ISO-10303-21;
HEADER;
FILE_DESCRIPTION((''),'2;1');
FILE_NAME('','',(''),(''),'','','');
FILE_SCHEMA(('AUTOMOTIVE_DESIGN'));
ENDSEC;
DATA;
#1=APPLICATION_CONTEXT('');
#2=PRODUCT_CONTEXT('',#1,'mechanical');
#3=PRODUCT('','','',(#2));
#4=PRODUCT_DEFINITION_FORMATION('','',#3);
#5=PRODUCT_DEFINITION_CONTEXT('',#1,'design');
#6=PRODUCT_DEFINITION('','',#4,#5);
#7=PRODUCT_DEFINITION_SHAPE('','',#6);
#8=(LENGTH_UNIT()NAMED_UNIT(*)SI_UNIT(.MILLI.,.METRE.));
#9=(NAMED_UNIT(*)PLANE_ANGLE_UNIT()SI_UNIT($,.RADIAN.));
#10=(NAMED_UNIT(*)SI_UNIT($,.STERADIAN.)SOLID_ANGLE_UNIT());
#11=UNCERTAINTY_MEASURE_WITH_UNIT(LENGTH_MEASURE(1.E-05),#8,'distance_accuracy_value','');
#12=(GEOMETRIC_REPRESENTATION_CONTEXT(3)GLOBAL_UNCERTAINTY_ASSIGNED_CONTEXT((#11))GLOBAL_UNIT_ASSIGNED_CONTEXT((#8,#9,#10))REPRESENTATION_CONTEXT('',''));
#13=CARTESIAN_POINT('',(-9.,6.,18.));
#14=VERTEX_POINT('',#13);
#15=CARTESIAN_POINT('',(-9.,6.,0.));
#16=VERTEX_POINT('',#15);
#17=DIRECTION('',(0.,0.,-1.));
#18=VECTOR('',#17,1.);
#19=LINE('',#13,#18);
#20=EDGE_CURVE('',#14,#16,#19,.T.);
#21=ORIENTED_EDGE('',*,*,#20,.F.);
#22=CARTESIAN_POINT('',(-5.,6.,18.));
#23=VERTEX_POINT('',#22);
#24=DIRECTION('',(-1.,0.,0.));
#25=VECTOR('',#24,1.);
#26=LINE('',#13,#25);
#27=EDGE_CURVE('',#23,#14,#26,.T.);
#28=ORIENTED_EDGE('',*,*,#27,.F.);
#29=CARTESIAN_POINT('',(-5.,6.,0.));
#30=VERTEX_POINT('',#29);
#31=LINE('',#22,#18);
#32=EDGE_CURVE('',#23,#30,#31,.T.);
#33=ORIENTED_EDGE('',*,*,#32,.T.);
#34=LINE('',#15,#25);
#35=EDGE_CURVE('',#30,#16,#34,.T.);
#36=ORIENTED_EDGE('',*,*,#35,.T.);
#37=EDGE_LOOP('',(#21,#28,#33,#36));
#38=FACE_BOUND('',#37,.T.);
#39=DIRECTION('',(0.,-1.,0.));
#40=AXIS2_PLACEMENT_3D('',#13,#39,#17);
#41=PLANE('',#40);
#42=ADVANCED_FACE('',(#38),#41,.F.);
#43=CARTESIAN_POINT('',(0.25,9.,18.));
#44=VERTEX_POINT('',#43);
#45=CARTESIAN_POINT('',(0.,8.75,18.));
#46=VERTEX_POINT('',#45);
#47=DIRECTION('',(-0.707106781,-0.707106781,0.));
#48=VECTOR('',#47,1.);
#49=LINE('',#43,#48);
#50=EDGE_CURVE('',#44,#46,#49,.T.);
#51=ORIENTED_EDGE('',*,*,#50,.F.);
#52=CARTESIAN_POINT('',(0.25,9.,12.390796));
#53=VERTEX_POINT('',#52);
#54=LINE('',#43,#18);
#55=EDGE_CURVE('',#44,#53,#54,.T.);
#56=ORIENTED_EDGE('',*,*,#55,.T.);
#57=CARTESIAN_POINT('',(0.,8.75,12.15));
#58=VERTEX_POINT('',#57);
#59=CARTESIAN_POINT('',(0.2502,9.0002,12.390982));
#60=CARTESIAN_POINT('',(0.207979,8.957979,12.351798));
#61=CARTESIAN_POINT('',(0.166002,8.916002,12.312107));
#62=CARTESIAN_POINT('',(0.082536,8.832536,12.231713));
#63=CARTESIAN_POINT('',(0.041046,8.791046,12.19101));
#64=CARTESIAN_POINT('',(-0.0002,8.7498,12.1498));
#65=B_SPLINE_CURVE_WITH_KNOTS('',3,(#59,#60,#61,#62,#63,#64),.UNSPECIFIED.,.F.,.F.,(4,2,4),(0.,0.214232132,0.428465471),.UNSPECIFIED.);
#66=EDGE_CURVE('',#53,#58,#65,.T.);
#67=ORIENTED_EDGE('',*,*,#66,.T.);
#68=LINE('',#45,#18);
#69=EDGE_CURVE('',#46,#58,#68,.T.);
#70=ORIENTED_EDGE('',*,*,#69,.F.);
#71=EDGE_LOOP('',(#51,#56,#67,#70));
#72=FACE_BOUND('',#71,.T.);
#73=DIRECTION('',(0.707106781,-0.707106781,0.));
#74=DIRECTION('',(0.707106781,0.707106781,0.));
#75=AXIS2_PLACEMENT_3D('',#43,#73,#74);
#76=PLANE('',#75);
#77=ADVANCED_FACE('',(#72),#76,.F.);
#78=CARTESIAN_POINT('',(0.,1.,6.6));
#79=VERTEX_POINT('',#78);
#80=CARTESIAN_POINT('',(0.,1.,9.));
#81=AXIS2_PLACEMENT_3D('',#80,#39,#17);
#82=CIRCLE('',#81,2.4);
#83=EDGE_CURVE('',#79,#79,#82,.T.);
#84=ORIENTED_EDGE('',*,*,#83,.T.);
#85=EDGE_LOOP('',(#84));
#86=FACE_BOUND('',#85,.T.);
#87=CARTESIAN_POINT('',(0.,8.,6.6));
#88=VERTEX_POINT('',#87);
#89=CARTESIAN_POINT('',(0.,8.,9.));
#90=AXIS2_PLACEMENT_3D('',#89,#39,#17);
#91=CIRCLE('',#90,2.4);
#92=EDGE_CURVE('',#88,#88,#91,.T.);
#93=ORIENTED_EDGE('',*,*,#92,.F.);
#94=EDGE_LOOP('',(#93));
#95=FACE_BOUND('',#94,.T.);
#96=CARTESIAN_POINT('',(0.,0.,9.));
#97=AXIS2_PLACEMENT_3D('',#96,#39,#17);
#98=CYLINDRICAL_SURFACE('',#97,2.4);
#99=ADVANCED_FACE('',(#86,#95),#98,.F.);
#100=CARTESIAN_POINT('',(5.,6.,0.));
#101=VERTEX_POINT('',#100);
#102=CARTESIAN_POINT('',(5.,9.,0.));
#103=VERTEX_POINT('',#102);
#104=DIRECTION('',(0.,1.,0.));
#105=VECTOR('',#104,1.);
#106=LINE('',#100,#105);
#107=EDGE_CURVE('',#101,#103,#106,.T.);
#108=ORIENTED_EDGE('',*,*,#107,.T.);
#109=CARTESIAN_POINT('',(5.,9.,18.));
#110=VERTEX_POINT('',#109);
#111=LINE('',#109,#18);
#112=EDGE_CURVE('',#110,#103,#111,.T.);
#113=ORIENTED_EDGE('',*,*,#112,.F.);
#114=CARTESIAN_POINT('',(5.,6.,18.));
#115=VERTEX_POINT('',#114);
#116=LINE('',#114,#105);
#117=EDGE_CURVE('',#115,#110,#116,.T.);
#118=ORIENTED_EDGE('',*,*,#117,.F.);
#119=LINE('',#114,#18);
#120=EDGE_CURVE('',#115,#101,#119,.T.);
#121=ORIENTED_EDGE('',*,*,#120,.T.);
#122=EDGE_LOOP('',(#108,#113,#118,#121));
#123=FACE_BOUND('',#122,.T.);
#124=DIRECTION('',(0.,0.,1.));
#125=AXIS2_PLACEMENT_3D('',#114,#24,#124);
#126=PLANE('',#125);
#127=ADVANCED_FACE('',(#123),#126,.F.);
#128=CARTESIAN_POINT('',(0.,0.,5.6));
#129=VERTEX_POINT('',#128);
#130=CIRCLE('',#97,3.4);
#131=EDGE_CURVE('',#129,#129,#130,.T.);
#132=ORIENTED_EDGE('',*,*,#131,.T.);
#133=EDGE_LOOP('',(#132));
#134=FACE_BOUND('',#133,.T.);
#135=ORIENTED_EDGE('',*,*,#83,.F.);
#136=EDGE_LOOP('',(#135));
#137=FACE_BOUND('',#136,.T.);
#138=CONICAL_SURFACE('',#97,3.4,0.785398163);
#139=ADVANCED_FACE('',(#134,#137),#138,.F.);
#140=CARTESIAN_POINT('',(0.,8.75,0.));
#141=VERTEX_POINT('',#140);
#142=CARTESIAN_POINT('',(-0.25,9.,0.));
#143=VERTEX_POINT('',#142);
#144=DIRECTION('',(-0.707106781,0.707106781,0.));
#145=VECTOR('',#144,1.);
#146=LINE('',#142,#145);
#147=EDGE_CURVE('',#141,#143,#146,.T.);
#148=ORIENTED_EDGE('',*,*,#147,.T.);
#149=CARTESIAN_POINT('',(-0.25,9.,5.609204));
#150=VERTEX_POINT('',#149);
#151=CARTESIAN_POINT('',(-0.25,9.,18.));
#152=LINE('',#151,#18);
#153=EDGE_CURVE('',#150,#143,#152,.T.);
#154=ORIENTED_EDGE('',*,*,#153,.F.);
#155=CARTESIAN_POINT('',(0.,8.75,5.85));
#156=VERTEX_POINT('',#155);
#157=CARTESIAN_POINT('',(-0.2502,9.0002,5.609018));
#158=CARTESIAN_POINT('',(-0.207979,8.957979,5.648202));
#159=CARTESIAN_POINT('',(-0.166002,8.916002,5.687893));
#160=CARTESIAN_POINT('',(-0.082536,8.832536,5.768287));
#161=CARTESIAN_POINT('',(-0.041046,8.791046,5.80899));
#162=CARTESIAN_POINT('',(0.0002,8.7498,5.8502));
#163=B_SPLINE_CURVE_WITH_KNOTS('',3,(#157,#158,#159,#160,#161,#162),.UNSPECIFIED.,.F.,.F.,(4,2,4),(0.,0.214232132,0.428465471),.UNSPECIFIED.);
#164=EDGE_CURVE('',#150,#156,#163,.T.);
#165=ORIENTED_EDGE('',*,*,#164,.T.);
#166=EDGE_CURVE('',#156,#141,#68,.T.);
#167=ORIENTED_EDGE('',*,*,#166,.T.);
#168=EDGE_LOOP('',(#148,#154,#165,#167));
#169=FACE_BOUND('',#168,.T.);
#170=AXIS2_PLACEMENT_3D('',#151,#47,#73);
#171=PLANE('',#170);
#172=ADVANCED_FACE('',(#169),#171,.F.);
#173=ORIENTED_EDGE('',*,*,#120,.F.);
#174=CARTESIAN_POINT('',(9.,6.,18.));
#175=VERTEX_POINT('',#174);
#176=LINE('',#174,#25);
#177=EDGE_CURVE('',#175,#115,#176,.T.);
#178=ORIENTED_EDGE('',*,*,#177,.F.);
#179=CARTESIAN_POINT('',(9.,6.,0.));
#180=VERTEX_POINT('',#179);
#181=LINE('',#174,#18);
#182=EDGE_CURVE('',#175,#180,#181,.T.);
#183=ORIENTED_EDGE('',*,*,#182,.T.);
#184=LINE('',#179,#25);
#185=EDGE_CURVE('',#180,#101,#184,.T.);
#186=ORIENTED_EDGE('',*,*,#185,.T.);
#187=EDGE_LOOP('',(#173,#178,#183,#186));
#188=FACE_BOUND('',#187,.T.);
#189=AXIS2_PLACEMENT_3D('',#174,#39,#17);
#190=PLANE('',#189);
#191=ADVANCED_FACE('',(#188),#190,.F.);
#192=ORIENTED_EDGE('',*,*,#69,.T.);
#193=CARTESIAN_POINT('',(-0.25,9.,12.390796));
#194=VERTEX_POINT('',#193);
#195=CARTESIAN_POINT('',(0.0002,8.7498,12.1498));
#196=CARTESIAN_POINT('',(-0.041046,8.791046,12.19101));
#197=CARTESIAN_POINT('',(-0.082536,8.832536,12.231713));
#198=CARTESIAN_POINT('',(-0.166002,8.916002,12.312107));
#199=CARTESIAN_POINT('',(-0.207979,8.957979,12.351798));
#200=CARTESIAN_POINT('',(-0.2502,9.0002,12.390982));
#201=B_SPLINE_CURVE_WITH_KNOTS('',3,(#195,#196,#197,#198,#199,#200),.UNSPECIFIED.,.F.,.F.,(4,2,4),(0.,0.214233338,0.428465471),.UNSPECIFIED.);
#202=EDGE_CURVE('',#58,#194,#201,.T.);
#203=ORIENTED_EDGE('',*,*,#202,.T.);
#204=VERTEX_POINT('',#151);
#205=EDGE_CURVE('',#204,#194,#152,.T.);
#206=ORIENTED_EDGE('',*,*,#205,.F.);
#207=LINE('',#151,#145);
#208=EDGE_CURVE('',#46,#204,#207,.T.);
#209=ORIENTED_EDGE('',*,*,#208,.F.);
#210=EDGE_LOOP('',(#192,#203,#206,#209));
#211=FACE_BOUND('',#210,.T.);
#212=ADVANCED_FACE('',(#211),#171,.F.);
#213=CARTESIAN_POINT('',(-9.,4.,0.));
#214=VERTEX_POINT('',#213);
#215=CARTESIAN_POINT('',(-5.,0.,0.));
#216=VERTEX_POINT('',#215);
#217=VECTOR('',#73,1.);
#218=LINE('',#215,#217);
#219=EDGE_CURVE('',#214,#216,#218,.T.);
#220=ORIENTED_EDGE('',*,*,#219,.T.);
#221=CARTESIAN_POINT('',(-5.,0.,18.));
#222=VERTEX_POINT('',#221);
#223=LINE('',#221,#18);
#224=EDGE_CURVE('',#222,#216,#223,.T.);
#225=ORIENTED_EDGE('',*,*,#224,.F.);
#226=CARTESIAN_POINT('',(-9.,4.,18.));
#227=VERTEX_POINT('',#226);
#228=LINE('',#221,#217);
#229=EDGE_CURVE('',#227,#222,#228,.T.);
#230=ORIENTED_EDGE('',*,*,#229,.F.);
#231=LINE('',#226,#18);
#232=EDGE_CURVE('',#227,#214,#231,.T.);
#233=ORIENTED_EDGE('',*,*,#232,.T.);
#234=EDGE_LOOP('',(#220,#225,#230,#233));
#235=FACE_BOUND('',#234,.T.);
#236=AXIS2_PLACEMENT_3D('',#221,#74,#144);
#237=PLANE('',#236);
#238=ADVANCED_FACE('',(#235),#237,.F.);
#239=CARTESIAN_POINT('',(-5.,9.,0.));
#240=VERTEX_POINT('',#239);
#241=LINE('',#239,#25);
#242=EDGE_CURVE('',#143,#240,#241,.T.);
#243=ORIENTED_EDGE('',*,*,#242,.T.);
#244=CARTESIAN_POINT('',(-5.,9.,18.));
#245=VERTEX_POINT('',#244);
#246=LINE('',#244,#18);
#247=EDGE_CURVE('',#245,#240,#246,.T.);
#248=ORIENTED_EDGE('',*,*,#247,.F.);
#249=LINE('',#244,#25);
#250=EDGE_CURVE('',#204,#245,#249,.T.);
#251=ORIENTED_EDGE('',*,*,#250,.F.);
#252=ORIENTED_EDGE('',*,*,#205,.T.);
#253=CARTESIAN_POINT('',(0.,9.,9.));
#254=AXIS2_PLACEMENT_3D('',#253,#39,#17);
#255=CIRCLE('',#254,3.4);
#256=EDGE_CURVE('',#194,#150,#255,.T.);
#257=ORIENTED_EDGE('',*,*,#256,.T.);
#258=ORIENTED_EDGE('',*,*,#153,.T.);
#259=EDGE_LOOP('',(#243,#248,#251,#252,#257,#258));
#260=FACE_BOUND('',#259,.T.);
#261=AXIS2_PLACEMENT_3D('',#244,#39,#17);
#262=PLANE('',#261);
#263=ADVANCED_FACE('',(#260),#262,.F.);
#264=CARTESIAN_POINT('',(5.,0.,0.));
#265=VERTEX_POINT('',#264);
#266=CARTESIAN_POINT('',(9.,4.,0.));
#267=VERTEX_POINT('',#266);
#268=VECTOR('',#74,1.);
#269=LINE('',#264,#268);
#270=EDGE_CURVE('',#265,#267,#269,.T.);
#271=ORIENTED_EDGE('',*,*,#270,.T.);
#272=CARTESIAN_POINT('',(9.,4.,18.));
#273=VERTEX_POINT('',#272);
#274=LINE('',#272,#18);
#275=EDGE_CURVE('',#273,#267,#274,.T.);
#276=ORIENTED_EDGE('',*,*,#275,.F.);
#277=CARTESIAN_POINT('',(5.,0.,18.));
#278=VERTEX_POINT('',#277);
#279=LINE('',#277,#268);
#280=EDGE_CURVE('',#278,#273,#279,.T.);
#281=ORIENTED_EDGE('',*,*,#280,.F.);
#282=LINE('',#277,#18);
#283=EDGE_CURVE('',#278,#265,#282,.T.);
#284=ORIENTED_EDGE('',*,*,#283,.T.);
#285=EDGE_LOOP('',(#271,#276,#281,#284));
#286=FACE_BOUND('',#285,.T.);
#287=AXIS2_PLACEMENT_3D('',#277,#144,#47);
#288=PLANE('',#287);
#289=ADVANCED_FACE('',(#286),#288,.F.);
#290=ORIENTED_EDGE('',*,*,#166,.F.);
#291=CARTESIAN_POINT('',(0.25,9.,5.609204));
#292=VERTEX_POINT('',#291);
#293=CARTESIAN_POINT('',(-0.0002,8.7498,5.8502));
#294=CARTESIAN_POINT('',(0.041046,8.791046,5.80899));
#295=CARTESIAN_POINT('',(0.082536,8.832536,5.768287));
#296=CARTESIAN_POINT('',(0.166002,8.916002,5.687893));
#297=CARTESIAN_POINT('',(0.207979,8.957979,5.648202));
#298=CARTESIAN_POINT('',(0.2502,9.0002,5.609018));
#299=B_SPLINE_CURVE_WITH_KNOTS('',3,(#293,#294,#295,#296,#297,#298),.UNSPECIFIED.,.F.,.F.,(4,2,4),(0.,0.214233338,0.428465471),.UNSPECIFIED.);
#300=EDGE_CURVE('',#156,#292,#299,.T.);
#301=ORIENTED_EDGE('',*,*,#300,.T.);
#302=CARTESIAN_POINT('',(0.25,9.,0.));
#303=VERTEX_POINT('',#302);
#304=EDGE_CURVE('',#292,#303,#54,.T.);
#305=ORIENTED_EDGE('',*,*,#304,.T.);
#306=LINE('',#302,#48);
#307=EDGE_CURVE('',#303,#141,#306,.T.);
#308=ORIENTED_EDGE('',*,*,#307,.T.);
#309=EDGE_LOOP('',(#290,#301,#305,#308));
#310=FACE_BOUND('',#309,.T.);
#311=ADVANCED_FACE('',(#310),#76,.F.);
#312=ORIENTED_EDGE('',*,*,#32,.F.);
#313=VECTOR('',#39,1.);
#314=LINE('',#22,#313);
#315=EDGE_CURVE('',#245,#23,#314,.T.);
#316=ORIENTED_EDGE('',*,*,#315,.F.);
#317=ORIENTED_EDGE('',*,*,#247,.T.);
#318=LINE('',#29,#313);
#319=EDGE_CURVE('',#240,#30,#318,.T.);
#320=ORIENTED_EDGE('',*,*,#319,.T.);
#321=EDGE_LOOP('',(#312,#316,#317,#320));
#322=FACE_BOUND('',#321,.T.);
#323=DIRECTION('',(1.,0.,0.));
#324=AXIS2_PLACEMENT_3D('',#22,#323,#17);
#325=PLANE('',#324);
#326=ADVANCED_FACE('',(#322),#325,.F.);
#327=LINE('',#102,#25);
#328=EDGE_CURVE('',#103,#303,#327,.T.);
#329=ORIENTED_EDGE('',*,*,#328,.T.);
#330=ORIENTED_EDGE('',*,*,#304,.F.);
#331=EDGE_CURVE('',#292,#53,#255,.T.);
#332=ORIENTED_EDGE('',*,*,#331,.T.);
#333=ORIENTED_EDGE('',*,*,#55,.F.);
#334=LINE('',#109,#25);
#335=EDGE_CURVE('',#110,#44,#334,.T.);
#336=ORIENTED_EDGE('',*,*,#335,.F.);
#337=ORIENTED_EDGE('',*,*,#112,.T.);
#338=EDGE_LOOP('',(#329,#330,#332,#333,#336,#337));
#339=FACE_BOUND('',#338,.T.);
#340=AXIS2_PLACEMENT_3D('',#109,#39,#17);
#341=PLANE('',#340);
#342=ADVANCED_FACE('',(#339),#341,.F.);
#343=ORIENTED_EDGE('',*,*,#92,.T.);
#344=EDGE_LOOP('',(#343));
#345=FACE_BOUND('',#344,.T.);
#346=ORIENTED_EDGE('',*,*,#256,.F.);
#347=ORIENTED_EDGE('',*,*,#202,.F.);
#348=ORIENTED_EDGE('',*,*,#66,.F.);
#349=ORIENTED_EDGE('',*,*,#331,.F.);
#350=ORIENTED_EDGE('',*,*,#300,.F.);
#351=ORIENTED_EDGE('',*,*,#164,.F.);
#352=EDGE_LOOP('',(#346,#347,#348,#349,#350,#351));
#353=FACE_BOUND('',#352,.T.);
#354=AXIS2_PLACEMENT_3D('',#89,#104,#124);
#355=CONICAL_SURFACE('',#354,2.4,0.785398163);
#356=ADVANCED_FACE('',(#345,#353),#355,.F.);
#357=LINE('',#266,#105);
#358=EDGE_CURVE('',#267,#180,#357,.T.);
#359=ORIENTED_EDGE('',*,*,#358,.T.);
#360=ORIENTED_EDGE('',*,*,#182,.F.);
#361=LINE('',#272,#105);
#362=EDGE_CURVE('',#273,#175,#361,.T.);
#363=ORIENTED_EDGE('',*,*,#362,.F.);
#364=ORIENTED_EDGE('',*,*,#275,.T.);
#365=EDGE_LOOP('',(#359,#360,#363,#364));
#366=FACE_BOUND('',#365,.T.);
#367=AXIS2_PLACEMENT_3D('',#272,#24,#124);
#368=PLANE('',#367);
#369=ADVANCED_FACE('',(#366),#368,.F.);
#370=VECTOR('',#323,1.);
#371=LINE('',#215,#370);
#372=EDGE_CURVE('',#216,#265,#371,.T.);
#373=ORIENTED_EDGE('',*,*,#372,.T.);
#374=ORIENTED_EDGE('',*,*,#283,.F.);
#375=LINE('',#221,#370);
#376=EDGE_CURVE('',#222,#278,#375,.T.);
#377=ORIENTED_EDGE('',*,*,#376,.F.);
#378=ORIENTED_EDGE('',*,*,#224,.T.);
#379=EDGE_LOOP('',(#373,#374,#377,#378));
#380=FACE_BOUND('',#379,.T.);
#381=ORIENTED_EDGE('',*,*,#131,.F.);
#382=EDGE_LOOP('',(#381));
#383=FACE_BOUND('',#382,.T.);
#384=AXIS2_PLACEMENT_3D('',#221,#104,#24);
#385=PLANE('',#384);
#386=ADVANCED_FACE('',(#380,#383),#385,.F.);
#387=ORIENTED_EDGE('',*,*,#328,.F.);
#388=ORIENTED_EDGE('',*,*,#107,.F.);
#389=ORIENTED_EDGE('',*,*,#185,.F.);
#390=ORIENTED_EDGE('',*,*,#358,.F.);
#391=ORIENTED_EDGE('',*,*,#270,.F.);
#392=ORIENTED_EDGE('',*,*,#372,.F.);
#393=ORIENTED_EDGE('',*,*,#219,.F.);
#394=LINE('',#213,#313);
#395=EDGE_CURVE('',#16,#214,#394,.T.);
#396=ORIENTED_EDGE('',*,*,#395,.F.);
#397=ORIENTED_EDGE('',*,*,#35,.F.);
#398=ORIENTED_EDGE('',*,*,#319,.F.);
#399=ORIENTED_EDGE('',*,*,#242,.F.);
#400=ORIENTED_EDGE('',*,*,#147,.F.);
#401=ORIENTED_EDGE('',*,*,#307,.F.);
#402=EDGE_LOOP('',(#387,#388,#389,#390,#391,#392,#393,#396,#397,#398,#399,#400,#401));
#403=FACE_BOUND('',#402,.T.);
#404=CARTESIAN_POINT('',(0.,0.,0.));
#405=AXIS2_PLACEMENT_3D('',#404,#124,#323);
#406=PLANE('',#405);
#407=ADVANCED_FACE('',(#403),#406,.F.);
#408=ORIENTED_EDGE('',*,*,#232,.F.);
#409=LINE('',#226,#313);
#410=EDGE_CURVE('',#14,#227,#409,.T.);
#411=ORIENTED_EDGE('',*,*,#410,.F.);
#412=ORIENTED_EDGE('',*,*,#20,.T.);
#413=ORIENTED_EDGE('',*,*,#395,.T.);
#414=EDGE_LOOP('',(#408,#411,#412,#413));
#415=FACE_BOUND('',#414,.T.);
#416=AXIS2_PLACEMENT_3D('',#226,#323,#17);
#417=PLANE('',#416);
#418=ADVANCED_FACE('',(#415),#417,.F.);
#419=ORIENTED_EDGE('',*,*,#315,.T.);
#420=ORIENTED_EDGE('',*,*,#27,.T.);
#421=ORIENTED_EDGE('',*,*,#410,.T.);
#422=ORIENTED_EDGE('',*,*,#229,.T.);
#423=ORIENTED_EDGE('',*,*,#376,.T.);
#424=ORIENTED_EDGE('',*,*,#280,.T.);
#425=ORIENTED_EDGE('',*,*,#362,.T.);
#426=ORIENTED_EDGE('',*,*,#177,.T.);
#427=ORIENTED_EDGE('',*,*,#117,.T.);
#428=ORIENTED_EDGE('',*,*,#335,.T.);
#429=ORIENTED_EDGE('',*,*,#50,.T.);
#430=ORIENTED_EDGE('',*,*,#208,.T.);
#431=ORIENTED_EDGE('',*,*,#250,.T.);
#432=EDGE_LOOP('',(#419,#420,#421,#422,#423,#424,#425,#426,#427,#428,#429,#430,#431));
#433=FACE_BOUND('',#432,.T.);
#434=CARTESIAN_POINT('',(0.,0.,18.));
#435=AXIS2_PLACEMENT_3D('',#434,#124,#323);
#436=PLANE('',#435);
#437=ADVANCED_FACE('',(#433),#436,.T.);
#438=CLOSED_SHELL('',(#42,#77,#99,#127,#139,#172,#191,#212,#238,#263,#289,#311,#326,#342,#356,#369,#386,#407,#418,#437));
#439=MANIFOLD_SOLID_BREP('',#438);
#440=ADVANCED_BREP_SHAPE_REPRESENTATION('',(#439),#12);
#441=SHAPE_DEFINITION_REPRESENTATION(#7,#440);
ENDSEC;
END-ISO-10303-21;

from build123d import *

# Parameters (mm, degrees)
EXTRUDED_1_DEPTH = 18


with BuildPart() as part:
    # Эскиз1 → Extruded 1 (new body)
    with BuildSketch(Plane.XY):
        Polygon((-5, 0), (-9, 4), (-9, 6), (-5, 6), (-5, 9), (-0.25, 9), (0, 8.75), (0.25, 9), (5, 9), (5, 6), (9, 6), (9, 4), (5, 0), align=None)
    extrude(amount=EXTRUDED_1_DEPTH)

    # Эскиз2 → Revolved Cut 1 (revolve, cut)
    with BuildSketch(Plane(origin=(0, 0, 0), x_dir=(0, 0, -1), z_dir=(1, 0, 0))):
        Polygon((-9, 0), (-9, 9), (-5.6, 9), (-6.6, 8), (-6.6, 1), (-5.6, 0), align=None)
    revolve(axis=Axis((0, 0, 9), (0, 1, 0)), mode=Mode.SUBTRACT)


solid = part.part
